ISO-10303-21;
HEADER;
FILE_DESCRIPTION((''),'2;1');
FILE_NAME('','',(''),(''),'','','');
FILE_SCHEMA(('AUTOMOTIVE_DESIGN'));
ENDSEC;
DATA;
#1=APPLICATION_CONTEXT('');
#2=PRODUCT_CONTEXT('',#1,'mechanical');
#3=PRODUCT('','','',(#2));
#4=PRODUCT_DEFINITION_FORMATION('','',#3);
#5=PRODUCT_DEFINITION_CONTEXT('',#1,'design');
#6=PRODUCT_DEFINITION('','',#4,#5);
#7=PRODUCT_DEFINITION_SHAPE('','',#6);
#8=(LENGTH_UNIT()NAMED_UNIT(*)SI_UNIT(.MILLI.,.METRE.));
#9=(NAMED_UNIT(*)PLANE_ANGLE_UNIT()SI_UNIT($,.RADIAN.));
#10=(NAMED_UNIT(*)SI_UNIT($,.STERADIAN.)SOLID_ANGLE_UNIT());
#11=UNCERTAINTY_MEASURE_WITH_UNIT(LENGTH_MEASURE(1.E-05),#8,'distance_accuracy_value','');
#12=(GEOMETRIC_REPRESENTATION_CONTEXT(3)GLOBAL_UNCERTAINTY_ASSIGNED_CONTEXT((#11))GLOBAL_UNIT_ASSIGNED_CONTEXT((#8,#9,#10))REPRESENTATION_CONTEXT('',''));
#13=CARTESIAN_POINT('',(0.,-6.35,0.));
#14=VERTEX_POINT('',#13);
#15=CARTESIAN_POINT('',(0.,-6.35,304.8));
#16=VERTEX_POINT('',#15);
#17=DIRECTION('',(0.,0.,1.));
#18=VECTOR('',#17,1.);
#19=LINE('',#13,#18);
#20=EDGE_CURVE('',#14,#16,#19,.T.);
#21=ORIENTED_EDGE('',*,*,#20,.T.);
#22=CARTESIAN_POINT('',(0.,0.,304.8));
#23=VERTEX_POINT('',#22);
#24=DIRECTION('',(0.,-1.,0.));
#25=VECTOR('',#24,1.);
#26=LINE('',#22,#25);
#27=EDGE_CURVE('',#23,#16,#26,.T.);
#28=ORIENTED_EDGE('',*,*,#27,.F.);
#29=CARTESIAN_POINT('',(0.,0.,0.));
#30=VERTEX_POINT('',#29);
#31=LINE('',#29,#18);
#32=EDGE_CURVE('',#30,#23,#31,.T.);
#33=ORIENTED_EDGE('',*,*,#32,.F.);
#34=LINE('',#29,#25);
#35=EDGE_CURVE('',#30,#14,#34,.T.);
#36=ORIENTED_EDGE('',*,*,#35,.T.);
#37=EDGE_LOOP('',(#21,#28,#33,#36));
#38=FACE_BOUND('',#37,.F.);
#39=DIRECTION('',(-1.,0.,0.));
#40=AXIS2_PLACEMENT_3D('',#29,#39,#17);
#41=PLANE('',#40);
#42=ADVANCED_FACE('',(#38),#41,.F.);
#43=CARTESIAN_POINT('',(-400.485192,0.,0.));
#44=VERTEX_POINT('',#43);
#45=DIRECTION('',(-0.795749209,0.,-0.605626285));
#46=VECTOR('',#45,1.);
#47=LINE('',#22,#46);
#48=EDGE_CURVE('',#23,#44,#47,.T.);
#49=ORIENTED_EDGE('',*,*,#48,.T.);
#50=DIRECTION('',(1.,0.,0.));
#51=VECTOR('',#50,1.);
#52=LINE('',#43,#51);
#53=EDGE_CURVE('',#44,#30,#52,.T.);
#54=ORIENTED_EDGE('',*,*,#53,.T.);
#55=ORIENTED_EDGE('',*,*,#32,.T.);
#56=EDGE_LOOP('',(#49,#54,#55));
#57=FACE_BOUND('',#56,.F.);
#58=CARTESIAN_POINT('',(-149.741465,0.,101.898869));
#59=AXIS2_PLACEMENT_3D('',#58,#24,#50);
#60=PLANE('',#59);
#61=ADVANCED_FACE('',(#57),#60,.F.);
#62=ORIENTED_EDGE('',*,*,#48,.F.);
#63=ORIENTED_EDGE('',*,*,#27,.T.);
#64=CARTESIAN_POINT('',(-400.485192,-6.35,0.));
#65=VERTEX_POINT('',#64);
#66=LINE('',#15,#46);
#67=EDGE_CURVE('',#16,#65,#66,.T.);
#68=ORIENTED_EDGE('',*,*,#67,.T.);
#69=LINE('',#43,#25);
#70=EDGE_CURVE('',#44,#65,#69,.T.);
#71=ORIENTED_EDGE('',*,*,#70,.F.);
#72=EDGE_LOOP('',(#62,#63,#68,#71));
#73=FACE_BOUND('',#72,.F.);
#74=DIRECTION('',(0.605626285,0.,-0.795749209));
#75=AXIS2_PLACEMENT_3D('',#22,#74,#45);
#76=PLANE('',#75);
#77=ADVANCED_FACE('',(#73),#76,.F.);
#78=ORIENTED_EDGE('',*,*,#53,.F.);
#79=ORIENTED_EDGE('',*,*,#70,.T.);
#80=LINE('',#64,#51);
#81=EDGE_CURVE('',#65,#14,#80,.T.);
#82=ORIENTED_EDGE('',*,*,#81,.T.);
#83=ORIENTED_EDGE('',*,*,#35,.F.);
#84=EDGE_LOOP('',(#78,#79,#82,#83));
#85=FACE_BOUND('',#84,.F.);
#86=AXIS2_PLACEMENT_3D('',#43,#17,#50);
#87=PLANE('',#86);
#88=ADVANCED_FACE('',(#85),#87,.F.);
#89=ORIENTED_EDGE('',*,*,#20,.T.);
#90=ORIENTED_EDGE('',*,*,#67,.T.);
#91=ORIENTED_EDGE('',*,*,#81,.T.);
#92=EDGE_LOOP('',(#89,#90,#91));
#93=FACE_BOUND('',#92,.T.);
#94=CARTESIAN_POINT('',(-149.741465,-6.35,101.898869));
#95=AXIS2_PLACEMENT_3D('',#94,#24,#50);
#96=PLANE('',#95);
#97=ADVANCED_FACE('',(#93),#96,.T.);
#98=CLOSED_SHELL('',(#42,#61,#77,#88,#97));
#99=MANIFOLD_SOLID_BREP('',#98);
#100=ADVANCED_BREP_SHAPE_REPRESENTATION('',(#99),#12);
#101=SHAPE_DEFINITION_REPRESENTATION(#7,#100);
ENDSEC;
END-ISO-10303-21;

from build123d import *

# Parameters (mm, degrees)
F2_DEPTH = 6.35


with BuildPart() as f2:
    # F1 (on face) → F2 (new body)
    with BuildSketch(Plane.XZ):
        Polygon((0, 0), (0, 304.8), (-400.485192, 0), align=None)
    extrude(amount=F2_DEPTH)


solid = f2.part
